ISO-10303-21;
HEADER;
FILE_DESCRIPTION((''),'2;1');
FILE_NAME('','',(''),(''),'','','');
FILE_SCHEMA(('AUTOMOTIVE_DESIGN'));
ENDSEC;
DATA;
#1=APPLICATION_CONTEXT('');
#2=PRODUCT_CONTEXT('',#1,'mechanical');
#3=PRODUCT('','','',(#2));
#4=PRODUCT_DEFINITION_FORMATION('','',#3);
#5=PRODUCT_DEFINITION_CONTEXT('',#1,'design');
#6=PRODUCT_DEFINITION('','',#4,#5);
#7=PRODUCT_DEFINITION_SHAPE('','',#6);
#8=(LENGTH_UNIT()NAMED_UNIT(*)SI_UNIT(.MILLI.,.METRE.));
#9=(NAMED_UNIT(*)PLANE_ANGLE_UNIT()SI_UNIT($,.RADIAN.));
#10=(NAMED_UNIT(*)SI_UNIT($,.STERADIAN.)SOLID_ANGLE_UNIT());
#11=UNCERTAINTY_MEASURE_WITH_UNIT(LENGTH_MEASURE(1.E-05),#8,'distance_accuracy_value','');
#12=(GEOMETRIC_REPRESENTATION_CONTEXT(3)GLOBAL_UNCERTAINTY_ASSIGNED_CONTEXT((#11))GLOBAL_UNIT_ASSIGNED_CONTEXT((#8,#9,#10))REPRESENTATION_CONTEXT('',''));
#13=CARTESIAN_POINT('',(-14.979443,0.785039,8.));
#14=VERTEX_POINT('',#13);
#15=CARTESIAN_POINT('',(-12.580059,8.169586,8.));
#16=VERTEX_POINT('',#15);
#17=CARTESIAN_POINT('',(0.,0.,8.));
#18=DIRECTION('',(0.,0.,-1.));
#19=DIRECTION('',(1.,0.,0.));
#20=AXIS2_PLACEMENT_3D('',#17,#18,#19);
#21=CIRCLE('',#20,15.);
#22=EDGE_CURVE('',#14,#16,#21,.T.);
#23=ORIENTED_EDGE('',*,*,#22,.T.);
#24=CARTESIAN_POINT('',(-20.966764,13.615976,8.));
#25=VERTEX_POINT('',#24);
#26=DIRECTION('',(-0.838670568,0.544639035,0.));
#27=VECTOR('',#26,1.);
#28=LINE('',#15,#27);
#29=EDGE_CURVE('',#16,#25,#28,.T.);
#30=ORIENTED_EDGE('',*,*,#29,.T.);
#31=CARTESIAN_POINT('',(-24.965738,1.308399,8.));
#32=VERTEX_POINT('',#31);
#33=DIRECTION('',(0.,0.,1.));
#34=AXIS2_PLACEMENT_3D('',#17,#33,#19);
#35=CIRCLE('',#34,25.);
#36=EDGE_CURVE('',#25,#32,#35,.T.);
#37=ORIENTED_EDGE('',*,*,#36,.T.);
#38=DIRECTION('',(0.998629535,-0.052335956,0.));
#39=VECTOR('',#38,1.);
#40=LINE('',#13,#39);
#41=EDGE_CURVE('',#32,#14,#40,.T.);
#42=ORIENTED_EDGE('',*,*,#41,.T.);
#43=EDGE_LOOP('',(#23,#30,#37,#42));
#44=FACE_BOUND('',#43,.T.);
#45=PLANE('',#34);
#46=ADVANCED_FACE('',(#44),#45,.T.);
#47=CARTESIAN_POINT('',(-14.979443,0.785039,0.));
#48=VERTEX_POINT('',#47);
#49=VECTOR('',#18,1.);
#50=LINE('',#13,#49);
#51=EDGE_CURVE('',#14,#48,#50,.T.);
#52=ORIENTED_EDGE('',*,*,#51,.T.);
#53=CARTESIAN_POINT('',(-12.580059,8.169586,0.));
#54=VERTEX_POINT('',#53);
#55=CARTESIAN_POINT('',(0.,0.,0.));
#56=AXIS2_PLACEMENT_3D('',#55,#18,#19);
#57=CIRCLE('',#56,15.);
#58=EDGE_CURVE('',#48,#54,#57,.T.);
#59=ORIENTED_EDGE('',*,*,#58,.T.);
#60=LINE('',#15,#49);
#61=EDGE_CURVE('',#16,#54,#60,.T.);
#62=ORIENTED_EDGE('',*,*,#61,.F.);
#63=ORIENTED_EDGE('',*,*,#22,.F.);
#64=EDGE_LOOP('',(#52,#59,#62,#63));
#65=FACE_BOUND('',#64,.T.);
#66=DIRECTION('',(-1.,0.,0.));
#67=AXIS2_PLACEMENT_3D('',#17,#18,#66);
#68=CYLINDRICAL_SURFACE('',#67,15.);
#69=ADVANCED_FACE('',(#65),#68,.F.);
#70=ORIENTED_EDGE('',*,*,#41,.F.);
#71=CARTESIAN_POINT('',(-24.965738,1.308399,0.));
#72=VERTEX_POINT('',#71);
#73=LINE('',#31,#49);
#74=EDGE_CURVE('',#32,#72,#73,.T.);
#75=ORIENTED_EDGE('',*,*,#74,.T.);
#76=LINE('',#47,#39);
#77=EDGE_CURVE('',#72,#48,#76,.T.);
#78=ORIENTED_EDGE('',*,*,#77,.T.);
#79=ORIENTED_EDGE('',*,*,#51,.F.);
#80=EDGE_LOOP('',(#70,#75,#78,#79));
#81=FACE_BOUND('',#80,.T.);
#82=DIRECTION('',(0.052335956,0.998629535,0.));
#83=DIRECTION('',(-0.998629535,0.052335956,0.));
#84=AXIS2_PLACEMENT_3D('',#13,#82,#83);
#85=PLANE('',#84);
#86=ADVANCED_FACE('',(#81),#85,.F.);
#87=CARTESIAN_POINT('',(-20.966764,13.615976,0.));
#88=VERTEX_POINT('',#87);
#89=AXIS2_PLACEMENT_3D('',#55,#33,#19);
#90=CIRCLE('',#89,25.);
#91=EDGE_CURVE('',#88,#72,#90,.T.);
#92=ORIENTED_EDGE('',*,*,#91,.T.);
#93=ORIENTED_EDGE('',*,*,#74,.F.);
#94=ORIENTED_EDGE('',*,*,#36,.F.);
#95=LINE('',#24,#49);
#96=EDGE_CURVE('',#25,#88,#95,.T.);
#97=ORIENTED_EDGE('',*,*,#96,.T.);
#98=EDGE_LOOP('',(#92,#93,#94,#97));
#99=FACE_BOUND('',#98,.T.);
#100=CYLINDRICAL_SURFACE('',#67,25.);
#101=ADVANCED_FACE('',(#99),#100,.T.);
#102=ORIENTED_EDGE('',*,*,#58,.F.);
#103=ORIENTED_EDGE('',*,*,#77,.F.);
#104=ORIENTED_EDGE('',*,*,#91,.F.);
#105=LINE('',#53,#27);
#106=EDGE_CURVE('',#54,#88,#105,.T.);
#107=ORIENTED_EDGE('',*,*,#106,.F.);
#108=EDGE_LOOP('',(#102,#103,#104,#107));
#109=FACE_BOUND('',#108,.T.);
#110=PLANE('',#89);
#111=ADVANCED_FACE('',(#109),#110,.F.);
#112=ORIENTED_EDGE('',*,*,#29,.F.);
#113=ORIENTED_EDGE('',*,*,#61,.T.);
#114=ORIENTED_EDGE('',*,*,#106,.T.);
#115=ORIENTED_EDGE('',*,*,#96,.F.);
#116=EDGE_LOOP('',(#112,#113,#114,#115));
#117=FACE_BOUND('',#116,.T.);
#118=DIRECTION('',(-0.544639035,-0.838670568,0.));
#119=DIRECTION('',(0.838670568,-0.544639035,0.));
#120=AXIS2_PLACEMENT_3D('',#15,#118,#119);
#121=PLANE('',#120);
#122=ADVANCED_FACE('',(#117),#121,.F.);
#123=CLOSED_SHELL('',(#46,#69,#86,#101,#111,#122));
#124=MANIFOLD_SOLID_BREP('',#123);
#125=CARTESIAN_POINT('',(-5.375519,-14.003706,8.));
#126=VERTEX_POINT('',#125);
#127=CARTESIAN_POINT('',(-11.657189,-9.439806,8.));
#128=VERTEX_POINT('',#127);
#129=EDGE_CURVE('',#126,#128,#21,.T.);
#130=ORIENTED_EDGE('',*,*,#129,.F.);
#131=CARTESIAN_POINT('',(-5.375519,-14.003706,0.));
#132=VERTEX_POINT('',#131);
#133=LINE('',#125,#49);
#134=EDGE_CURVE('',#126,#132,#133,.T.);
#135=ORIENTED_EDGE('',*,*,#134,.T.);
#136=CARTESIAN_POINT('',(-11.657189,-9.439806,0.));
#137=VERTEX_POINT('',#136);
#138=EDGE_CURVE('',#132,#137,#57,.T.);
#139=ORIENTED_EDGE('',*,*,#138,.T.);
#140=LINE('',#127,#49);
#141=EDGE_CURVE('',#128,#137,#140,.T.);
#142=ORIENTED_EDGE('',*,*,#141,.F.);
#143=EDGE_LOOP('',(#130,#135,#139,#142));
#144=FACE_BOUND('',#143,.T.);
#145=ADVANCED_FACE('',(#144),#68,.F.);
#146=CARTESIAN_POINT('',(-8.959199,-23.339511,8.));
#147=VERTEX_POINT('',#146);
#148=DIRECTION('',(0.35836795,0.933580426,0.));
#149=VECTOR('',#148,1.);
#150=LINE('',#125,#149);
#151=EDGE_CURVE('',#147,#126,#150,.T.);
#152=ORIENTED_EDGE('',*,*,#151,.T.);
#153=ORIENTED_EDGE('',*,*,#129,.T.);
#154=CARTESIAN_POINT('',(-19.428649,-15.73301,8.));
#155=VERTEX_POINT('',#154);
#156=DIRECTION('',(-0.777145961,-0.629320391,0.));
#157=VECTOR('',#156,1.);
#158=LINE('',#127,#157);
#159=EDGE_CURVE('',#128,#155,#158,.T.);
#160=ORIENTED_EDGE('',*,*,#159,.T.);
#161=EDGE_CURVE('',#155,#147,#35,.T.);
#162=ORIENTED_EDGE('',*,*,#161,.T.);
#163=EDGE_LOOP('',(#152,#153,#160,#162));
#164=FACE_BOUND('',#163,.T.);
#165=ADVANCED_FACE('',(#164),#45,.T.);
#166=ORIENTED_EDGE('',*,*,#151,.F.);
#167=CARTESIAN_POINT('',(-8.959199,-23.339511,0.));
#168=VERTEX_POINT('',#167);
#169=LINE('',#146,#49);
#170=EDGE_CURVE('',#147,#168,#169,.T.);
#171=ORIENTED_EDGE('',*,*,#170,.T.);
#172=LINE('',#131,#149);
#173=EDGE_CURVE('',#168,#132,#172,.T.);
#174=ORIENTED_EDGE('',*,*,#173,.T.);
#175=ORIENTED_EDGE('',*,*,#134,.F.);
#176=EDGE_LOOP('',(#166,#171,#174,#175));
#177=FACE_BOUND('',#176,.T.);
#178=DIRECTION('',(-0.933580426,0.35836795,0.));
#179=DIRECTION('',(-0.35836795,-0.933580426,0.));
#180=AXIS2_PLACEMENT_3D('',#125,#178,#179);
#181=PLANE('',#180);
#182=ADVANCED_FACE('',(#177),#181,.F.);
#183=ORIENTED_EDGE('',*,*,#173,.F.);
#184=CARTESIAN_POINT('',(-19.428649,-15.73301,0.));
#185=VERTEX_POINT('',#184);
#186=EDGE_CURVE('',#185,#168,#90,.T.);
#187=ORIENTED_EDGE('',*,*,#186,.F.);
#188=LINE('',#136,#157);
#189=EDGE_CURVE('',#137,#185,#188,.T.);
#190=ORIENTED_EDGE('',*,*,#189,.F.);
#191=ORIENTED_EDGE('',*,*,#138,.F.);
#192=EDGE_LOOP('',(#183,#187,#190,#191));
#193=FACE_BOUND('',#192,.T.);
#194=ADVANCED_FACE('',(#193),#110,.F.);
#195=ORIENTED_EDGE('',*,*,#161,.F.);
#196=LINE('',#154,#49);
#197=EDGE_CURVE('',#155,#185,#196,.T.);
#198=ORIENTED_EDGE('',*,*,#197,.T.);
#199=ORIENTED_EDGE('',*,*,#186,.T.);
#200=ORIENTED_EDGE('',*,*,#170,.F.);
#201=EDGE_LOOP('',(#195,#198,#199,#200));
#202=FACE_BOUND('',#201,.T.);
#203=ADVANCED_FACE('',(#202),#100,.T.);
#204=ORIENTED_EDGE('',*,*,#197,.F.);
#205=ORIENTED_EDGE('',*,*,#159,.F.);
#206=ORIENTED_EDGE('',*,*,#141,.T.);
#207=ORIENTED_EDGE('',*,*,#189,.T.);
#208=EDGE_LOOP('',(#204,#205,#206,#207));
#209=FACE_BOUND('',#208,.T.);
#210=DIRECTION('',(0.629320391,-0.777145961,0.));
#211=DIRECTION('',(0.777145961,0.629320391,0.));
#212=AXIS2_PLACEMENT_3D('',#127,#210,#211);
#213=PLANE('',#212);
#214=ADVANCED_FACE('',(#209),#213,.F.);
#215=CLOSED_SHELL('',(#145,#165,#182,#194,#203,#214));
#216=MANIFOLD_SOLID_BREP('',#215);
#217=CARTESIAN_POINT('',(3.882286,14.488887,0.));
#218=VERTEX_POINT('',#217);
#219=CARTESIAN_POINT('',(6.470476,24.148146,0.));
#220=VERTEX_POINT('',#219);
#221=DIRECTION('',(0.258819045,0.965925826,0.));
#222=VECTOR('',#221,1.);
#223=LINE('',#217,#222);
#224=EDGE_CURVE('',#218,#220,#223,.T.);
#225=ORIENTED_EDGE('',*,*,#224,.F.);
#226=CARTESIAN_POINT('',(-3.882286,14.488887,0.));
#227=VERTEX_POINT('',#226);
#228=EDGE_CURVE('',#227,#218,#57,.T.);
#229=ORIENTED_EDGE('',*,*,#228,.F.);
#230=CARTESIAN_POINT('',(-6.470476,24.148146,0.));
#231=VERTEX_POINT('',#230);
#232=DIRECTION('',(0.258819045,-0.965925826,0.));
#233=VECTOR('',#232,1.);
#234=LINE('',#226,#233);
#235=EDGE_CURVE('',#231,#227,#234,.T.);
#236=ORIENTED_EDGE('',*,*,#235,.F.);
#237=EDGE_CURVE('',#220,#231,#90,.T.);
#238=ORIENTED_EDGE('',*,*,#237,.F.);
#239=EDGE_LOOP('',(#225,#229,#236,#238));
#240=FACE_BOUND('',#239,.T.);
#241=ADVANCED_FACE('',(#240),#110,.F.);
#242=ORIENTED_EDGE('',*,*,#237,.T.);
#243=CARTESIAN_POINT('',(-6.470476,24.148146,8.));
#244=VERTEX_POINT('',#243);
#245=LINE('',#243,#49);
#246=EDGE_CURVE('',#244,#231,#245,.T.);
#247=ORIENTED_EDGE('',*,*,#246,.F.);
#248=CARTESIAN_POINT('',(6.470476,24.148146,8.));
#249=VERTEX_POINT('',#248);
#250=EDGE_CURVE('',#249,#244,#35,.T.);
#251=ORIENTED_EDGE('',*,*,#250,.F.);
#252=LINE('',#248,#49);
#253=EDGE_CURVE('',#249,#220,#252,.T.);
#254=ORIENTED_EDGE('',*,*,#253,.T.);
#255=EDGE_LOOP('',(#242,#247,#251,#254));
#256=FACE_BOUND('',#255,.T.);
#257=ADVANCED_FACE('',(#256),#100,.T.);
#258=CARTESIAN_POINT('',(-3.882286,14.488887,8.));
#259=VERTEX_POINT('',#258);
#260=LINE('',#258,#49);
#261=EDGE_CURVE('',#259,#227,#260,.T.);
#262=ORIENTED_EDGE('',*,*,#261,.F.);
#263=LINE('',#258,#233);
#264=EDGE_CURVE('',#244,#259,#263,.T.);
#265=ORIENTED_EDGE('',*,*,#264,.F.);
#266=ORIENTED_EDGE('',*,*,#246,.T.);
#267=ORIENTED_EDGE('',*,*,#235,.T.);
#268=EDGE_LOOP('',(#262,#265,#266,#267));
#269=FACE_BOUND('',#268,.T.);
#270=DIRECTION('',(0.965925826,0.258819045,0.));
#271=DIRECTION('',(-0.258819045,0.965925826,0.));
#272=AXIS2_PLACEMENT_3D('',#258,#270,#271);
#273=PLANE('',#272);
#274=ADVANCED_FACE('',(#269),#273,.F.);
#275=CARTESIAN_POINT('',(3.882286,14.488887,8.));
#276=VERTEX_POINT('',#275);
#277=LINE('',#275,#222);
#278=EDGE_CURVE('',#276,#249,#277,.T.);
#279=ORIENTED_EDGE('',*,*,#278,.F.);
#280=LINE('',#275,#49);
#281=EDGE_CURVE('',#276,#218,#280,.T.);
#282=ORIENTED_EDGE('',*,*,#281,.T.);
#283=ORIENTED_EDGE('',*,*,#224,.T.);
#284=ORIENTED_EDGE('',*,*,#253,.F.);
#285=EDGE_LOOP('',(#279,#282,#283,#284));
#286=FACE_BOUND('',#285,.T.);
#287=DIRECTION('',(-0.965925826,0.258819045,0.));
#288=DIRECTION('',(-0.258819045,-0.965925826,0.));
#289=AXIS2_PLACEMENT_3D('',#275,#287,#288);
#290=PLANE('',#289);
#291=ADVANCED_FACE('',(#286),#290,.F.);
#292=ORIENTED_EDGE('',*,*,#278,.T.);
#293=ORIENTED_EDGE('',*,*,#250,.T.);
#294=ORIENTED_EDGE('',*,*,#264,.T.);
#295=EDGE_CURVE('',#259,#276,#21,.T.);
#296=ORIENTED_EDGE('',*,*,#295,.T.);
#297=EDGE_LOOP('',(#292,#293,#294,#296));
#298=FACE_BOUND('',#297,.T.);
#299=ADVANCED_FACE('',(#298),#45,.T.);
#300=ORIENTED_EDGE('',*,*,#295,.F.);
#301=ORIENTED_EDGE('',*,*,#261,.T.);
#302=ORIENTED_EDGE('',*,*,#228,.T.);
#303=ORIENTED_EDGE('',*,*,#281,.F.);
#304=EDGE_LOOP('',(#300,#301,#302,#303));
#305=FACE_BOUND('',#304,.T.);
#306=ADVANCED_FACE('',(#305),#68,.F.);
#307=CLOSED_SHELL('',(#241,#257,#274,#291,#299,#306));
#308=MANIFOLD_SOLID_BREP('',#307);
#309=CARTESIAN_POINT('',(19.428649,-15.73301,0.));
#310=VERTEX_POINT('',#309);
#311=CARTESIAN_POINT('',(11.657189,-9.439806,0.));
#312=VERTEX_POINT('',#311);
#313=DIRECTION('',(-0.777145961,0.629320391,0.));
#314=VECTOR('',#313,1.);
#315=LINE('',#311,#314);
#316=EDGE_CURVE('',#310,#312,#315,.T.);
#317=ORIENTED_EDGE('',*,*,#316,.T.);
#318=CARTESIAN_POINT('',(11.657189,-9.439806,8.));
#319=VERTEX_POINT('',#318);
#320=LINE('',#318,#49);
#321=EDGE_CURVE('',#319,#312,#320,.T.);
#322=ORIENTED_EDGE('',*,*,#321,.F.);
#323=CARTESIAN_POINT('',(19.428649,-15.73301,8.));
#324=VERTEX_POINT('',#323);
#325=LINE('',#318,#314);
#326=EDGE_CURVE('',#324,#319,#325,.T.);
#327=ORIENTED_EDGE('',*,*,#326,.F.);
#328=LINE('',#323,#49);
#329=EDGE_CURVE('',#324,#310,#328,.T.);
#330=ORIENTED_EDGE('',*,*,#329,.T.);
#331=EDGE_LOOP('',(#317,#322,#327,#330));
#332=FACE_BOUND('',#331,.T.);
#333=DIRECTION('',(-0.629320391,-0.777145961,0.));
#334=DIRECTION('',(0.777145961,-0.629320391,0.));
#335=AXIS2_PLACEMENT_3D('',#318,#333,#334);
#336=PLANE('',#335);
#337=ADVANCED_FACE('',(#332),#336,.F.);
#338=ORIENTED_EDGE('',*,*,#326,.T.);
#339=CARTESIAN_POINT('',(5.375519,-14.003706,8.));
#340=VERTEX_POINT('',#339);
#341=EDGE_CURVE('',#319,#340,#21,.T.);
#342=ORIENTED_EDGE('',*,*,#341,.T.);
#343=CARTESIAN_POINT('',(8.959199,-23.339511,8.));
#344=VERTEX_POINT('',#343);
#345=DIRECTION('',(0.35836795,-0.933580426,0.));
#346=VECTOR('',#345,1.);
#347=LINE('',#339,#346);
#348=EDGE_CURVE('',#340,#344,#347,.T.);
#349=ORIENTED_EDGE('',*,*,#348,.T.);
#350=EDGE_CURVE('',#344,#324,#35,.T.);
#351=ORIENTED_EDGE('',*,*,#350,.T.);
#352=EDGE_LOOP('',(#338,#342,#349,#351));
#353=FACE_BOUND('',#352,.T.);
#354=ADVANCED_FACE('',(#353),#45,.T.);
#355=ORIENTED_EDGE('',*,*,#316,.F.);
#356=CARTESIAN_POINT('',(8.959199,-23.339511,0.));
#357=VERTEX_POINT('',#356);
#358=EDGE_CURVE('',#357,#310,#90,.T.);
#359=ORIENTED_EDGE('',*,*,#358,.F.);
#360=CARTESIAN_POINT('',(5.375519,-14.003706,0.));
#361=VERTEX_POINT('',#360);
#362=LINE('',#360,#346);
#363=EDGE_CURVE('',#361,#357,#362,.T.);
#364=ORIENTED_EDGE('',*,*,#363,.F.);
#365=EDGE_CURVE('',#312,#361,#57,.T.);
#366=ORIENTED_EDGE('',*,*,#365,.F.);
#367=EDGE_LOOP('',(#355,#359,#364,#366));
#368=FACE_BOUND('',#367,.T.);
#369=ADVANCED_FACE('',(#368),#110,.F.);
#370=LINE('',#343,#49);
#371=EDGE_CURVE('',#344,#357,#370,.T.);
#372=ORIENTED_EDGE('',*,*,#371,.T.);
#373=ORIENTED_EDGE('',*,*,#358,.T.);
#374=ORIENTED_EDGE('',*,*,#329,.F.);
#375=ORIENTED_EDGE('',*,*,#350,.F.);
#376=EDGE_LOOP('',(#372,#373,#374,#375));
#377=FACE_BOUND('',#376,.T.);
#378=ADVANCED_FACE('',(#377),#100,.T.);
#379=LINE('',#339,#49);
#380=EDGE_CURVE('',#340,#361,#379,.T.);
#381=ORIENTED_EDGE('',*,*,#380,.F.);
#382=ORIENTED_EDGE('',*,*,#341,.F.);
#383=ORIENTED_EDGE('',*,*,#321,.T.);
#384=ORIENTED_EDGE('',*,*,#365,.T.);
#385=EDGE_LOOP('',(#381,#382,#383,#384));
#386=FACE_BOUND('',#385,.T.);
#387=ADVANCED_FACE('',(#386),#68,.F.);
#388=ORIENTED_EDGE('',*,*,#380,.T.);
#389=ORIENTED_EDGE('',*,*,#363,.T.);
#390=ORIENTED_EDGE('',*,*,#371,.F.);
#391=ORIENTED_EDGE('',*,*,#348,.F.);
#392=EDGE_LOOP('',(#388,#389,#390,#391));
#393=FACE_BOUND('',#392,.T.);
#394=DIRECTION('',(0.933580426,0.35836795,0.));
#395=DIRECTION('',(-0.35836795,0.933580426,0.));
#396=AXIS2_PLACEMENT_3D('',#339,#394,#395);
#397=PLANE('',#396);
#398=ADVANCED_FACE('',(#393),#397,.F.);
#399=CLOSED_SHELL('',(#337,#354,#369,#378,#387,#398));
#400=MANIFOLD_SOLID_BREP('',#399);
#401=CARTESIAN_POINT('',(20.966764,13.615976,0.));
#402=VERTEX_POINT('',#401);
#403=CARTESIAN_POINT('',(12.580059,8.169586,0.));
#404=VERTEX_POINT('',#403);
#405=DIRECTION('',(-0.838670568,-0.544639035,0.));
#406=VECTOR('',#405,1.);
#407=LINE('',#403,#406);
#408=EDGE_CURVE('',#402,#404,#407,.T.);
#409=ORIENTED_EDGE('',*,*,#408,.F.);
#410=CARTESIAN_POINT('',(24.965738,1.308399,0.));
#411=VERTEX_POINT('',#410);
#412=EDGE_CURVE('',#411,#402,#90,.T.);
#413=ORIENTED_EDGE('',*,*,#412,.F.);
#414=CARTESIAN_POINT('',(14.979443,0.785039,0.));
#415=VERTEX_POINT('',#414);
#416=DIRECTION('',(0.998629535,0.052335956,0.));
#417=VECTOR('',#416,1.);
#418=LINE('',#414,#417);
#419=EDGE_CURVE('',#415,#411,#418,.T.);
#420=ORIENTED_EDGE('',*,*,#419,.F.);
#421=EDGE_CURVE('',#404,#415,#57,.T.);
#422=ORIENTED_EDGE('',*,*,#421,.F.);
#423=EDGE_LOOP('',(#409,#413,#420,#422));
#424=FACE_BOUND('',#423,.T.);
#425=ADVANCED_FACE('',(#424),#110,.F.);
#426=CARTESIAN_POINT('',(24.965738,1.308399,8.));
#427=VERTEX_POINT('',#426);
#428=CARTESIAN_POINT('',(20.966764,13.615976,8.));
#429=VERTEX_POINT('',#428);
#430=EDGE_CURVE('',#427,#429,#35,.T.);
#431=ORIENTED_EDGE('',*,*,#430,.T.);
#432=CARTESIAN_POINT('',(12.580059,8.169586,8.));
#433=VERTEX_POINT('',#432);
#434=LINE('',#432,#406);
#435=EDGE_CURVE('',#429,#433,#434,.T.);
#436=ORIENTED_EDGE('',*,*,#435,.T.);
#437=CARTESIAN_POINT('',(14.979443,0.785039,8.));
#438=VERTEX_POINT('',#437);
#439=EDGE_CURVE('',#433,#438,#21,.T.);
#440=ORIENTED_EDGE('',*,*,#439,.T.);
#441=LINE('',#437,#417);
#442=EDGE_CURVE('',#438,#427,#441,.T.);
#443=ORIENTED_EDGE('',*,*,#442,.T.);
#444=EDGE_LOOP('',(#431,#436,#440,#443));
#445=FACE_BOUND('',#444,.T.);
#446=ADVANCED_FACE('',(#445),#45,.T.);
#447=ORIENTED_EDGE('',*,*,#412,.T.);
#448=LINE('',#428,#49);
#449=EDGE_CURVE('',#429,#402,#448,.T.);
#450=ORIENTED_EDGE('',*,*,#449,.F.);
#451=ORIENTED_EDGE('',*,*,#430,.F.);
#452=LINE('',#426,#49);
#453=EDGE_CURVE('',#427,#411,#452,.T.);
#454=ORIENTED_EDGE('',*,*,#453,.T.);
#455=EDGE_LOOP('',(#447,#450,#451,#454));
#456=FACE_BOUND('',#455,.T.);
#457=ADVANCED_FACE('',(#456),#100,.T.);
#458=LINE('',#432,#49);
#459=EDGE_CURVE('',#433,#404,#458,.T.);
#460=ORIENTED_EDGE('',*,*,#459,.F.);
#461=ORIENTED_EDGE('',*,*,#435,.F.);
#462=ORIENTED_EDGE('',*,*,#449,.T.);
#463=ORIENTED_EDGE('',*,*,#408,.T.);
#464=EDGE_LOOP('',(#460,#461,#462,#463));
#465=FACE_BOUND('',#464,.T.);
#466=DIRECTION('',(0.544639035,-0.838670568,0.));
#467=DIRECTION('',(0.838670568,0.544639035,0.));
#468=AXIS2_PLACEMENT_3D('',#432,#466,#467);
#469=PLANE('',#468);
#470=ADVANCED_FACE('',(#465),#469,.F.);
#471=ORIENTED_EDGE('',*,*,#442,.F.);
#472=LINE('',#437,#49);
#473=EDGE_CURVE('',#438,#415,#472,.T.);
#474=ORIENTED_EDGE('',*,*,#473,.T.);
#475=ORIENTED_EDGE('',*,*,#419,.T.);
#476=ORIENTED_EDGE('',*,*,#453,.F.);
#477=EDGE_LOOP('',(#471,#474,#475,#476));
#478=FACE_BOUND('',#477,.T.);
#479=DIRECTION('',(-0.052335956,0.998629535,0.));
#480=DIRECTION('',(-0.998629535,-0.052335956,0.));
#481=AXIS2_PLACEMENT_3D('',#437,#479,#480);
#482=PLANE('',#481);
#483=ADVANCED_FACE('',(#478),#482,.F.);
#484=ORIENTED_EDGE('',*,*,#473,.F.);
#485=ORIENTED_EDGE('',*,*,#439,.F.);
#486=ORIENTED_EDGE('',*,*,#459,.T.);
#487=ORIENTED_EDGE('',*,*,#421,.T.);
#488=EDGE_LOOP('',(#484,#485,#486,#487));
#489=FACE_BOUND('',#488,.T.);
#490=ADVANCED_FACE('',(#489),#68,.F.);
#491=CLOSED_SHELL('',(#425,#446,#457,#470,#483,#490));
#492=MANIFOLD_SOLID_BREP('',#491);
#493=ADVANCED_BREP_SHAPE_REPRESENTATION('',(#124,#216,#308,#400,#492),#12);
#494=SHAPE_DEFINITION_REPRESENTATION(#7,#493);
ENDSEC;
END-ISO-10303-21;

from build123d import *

# Parameters (mm, degrees)
BOSS_EXTRUDE1_DEPTH   = 8
BOSS_EXTRUDE1_2_DEPTH = 8
BOSS_EXTRUDE1_3_DEPTH = 8
BOSS_EXTRUDE1_4_DEPTH = 8
BOSS_EXTRUDE1_5_DEPTH = 8


with BuildPart() as part:
    # Sketch1 → Boss-Extrude1 (new body)
    with BuildSketch(Plane.XY):
        with BuildLine():
            Line((-3.882285677, 14.488887394), (-6.470476128, 24.148145657))
            ThreePointArc((-6.470476128, 24.148145657), (0, 25), (6.470476128, 24.148145657))
            Line((6.470476128, 24.148145657), (3.882285677, 14.488887394))
            ThreePointArc((3.882285677, 14.488887394), (0, 15), (-3.882285677, 14.488887394))
        make_face()
    extrude(amount=BOSS_EXTRUDE1_DEPTH)


with BuildPart() as body_2:
    # Sketch1 → Boss-Extrude1 2 (new body)
    with BuildSketch(Plane.XY):
        with BuildLine():
            Line((12.580058519, 8.169585525), (20.966764199, 13.615975875))
            ThreePointArc((20.966764199, 13.615975875), (23.776412907, 7.725424859), (24.965738369, 1.308398906))
            Line((24.965738369, 1.308398906), (14.979443021, 0.785039344))
            ThreePointArc((14.979443021, 0.785039344), (14.265847744, 4.635254916), (12.580058519, 8.169585525))
        make_face()
    extrude(amount=BOSS_EXTRUDE1_2_DEPTH)


with BuildPart() as body_3:
    # Sketch1 → Boss-Extrude1 3 (new body)
    with BuildSketch(Plane.XY):
        with BuildLine():
            Line((11.657189422, -9.439805866), (19.428649036, -15.733009776))
            ThreePointArc((19.428649036, -15.733009776), (14.694631307, -20.225424859), (8.959198739, -23.339510662))
            Line((8.959198739, -23.339510662), (5.375519243, -14.003706397))
            ThreePointArc((5.375519243, -14.003706397), (8.816778784, -12.135254916), (11.657189422, -9.439805866))
        make_face()
    extrude(amount=BOSS_EXTRUDE1_3_DEPTH)


with BuildPart() as body_4:
    # Sketch1 → Boss-Extrude1 4 (new body)
    with BuildSketch(Plane.XY):
        with BuildLine():
            Line((-5.375519243, -14.003706397), (-8.959198739, -23.339510662))
            ThreePointArc((-8.959198739, -23.339510662), (-14.694631307, -20.225424859), (-19.428649036, -15.733009776))
            Line((-19.428649036, -15.733009776), (-11.657189422, -9.439805866))
            ThreePointArc((-11.657189422, -9.439805866), (-8.816778784, -12.135254916), (-5.375519243, -14.003706397))
        make_face()
    extrude(amount=BOSS_EXTRUDE1_4_DEPTH)


with BuildPart() as body_5:
    # Sketch1 → Boss-Extrude1 5 (new body)
    with BuildSketch(Plane.XY):
        with BuildLine():
            Line((-14.979443021, 0.785039344), (-24.965738369, 1.308398906))
            ThreePointArc((-24.965738369, 1.308398906), (-23.776412907, 7.725424859), (-20.966764199, 13.615975875))
            Line((-20.966764199, 13.615975875), (-12.580058519, 8.169585525))
            ThreePointArc((-12.580058519, 8.169585525), (-14.265847744, 4.635254916), (-14.979443021, 0.785039344))
        make_face()
    extrude(amount=BOSS_EXTRUDE1_5_DEPTH)


solid = Compound([part.part, body_2.part, body_3.part, body_4.part, body_5.part])
